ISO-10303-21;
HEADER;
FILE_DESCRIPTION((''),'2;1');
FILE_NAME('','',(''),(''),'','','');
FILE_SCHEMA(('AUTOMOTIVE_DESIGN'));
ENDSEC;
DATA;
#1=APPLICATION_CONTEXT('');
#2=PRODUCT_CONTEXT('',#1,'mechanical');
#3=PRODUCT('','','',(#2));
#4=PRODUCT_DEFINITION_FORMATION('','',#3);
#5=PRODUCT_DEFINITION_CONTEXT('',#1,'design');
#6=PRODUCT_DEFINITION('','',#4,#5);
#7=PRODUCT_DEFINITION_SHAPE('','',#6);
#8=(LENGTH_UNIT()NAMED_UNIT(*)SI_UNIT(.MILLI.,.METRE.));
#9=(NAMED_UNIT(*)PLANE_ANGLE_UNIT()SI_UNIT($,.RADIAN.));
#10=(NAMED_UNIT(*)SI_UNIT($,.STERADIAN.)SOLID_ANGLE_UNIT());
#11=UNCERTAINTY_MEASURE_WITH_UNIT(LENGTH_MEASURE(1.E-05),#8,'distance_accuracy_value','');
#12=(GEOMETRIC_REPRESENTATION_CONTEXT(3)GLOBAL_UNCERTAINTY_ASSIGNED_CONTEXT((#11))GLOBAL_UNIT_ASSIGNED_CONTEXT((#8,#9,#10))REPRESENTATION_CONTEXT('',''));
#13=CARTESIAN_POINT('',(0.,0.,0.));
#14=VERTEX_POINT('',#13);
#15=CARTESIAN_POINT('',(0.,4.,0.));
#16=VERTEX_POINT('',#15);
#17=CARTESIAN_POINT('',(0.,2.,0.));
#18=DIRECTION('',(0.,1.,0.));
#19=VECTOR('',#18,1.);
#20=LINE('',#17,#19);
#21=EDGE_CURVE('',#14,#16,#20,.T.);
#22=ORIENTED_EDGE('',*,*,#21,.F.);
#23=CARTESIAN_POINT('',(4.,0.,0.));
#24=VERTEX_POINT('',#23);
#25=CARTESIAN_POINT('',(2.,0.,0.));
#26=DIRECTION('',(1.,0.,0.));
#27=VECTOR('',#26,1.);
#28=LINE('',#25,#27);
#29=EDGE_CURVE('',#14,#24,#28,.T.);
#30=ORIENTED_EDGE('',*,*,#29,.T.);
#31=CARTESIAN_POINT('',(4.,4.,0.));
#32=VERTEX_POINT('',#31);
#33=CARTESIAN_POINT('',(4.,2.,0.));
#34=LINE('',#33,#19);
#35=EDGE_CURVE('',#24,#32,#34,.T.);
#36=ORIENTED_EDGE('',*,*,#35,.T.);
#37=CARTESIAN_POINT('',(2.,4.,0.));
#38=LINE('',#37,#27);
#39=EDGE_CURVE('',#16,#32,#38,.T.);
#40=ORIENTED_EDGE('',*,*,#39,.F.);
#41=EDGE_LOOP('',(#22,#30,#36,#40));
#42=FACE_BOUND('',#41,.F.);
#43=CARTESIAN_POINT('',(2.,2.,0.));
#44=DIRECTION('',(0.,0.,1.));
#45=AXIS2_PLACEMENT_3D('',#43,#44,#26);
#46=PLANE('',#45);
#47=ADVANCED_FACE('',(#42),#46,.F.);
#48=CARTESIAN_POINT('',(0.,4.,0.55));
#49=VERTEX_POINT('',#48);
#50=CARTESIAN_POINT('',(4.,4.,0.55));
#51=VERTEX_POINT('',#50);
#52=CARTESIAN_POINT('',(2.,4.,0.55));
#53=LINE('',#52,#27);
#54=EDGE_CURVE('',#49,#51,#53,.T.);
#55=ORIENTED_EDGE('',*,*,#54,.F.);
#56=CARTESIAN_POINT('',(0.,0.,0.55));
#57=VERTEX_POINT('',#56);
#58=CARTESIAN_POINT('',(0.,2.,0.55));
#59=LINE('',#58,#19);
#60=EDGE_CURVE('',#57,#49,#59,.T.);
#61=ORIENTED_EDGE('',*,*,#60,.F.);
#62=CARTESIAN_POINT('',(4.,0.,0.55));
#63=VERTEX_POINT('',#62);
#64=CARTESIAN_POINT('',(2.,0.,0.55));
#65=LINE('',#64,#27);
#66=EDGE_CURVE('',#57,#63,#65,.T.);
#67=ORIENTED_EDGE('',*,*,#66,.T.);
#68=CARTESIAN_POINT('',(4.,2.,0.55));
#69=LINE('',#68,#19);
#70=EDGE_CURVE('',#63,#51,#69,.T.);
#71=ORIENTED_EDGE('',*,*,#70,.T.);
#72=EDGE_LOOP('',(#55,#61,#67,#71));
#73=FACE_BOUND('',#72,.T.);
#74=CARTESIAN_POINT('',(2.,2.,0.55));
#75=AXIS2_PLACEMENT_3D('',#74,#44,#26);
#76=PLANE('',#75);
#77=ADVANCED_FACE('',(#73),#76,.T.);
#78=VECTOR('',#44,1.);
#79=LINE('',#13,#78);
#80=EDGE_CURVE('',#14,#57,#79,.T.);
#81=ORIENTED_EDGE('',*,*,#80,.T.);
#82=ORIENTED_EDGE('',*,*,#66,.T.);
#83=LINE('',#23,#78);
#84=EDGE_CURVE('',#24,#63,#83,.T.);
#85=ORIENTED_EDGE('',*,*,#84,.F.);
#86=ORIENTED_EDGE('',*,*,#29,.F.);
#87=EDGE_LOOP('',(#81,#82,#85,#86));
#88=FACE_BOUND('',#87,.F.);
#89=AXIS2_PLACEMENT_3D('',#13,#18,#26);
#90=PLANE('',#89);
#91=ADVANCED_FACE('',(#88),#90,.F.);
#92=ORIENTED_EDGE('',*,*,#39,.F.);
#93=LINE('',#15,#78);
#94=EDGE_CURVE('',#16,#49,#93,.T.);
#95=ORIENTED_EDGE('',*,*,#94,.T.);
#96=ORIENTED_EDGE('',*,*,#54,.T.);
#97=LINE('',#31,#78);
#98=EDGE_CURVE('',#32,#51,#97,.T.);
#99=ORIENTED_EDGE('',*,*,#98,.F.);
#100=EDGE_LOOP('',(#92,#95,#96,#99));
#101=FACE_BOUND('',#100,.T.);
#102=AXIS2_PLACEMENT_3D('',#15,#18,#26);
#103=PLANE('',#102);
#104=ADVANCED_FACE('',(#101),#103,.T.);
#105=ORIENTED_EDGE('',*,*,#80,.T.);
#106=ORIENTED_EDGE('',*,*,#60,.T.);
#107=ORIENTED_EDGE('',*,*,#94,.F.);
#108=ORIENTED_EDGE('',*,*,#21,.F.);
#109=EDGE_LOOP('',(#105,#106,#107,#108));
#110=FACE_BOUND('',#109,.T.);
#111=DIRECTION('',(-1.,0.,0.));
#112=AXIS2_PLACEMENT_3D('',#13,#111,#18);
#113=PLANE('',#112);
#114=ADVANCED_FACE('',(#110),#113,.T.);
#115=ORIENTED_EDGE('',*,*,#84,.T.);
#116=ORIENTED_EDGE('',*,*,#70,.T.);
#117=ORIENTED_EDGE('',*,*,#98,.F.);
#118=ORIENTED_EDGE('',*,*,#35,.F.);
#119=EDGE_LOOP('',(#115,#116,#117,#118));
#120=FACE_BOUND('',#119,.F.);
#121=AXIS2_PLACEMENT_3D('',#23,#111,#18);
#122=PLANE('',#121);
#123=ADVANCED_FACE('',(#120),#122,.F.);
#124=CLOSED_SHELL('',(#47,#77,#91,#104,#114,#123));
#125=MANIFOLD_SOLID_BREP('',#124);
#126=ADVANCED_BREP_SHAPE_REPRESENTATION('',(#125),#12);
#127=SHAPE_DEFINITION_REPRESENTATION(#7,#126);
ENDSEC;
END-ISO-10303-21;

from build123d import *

# Parameters (mm, degrees)
BOX_W     = 4
BOX_H     = 4
BOX_DEPTH = 0.55


with BuildPart() as part:
    # Box → Box (new body)
    with BuildSketch(Plane.XY):
        with Locations((2, 2)):
            Rectangle(BOX_W, BOX_H)
    extrude(amount=BOX_DEPTH)


solid = part.part
